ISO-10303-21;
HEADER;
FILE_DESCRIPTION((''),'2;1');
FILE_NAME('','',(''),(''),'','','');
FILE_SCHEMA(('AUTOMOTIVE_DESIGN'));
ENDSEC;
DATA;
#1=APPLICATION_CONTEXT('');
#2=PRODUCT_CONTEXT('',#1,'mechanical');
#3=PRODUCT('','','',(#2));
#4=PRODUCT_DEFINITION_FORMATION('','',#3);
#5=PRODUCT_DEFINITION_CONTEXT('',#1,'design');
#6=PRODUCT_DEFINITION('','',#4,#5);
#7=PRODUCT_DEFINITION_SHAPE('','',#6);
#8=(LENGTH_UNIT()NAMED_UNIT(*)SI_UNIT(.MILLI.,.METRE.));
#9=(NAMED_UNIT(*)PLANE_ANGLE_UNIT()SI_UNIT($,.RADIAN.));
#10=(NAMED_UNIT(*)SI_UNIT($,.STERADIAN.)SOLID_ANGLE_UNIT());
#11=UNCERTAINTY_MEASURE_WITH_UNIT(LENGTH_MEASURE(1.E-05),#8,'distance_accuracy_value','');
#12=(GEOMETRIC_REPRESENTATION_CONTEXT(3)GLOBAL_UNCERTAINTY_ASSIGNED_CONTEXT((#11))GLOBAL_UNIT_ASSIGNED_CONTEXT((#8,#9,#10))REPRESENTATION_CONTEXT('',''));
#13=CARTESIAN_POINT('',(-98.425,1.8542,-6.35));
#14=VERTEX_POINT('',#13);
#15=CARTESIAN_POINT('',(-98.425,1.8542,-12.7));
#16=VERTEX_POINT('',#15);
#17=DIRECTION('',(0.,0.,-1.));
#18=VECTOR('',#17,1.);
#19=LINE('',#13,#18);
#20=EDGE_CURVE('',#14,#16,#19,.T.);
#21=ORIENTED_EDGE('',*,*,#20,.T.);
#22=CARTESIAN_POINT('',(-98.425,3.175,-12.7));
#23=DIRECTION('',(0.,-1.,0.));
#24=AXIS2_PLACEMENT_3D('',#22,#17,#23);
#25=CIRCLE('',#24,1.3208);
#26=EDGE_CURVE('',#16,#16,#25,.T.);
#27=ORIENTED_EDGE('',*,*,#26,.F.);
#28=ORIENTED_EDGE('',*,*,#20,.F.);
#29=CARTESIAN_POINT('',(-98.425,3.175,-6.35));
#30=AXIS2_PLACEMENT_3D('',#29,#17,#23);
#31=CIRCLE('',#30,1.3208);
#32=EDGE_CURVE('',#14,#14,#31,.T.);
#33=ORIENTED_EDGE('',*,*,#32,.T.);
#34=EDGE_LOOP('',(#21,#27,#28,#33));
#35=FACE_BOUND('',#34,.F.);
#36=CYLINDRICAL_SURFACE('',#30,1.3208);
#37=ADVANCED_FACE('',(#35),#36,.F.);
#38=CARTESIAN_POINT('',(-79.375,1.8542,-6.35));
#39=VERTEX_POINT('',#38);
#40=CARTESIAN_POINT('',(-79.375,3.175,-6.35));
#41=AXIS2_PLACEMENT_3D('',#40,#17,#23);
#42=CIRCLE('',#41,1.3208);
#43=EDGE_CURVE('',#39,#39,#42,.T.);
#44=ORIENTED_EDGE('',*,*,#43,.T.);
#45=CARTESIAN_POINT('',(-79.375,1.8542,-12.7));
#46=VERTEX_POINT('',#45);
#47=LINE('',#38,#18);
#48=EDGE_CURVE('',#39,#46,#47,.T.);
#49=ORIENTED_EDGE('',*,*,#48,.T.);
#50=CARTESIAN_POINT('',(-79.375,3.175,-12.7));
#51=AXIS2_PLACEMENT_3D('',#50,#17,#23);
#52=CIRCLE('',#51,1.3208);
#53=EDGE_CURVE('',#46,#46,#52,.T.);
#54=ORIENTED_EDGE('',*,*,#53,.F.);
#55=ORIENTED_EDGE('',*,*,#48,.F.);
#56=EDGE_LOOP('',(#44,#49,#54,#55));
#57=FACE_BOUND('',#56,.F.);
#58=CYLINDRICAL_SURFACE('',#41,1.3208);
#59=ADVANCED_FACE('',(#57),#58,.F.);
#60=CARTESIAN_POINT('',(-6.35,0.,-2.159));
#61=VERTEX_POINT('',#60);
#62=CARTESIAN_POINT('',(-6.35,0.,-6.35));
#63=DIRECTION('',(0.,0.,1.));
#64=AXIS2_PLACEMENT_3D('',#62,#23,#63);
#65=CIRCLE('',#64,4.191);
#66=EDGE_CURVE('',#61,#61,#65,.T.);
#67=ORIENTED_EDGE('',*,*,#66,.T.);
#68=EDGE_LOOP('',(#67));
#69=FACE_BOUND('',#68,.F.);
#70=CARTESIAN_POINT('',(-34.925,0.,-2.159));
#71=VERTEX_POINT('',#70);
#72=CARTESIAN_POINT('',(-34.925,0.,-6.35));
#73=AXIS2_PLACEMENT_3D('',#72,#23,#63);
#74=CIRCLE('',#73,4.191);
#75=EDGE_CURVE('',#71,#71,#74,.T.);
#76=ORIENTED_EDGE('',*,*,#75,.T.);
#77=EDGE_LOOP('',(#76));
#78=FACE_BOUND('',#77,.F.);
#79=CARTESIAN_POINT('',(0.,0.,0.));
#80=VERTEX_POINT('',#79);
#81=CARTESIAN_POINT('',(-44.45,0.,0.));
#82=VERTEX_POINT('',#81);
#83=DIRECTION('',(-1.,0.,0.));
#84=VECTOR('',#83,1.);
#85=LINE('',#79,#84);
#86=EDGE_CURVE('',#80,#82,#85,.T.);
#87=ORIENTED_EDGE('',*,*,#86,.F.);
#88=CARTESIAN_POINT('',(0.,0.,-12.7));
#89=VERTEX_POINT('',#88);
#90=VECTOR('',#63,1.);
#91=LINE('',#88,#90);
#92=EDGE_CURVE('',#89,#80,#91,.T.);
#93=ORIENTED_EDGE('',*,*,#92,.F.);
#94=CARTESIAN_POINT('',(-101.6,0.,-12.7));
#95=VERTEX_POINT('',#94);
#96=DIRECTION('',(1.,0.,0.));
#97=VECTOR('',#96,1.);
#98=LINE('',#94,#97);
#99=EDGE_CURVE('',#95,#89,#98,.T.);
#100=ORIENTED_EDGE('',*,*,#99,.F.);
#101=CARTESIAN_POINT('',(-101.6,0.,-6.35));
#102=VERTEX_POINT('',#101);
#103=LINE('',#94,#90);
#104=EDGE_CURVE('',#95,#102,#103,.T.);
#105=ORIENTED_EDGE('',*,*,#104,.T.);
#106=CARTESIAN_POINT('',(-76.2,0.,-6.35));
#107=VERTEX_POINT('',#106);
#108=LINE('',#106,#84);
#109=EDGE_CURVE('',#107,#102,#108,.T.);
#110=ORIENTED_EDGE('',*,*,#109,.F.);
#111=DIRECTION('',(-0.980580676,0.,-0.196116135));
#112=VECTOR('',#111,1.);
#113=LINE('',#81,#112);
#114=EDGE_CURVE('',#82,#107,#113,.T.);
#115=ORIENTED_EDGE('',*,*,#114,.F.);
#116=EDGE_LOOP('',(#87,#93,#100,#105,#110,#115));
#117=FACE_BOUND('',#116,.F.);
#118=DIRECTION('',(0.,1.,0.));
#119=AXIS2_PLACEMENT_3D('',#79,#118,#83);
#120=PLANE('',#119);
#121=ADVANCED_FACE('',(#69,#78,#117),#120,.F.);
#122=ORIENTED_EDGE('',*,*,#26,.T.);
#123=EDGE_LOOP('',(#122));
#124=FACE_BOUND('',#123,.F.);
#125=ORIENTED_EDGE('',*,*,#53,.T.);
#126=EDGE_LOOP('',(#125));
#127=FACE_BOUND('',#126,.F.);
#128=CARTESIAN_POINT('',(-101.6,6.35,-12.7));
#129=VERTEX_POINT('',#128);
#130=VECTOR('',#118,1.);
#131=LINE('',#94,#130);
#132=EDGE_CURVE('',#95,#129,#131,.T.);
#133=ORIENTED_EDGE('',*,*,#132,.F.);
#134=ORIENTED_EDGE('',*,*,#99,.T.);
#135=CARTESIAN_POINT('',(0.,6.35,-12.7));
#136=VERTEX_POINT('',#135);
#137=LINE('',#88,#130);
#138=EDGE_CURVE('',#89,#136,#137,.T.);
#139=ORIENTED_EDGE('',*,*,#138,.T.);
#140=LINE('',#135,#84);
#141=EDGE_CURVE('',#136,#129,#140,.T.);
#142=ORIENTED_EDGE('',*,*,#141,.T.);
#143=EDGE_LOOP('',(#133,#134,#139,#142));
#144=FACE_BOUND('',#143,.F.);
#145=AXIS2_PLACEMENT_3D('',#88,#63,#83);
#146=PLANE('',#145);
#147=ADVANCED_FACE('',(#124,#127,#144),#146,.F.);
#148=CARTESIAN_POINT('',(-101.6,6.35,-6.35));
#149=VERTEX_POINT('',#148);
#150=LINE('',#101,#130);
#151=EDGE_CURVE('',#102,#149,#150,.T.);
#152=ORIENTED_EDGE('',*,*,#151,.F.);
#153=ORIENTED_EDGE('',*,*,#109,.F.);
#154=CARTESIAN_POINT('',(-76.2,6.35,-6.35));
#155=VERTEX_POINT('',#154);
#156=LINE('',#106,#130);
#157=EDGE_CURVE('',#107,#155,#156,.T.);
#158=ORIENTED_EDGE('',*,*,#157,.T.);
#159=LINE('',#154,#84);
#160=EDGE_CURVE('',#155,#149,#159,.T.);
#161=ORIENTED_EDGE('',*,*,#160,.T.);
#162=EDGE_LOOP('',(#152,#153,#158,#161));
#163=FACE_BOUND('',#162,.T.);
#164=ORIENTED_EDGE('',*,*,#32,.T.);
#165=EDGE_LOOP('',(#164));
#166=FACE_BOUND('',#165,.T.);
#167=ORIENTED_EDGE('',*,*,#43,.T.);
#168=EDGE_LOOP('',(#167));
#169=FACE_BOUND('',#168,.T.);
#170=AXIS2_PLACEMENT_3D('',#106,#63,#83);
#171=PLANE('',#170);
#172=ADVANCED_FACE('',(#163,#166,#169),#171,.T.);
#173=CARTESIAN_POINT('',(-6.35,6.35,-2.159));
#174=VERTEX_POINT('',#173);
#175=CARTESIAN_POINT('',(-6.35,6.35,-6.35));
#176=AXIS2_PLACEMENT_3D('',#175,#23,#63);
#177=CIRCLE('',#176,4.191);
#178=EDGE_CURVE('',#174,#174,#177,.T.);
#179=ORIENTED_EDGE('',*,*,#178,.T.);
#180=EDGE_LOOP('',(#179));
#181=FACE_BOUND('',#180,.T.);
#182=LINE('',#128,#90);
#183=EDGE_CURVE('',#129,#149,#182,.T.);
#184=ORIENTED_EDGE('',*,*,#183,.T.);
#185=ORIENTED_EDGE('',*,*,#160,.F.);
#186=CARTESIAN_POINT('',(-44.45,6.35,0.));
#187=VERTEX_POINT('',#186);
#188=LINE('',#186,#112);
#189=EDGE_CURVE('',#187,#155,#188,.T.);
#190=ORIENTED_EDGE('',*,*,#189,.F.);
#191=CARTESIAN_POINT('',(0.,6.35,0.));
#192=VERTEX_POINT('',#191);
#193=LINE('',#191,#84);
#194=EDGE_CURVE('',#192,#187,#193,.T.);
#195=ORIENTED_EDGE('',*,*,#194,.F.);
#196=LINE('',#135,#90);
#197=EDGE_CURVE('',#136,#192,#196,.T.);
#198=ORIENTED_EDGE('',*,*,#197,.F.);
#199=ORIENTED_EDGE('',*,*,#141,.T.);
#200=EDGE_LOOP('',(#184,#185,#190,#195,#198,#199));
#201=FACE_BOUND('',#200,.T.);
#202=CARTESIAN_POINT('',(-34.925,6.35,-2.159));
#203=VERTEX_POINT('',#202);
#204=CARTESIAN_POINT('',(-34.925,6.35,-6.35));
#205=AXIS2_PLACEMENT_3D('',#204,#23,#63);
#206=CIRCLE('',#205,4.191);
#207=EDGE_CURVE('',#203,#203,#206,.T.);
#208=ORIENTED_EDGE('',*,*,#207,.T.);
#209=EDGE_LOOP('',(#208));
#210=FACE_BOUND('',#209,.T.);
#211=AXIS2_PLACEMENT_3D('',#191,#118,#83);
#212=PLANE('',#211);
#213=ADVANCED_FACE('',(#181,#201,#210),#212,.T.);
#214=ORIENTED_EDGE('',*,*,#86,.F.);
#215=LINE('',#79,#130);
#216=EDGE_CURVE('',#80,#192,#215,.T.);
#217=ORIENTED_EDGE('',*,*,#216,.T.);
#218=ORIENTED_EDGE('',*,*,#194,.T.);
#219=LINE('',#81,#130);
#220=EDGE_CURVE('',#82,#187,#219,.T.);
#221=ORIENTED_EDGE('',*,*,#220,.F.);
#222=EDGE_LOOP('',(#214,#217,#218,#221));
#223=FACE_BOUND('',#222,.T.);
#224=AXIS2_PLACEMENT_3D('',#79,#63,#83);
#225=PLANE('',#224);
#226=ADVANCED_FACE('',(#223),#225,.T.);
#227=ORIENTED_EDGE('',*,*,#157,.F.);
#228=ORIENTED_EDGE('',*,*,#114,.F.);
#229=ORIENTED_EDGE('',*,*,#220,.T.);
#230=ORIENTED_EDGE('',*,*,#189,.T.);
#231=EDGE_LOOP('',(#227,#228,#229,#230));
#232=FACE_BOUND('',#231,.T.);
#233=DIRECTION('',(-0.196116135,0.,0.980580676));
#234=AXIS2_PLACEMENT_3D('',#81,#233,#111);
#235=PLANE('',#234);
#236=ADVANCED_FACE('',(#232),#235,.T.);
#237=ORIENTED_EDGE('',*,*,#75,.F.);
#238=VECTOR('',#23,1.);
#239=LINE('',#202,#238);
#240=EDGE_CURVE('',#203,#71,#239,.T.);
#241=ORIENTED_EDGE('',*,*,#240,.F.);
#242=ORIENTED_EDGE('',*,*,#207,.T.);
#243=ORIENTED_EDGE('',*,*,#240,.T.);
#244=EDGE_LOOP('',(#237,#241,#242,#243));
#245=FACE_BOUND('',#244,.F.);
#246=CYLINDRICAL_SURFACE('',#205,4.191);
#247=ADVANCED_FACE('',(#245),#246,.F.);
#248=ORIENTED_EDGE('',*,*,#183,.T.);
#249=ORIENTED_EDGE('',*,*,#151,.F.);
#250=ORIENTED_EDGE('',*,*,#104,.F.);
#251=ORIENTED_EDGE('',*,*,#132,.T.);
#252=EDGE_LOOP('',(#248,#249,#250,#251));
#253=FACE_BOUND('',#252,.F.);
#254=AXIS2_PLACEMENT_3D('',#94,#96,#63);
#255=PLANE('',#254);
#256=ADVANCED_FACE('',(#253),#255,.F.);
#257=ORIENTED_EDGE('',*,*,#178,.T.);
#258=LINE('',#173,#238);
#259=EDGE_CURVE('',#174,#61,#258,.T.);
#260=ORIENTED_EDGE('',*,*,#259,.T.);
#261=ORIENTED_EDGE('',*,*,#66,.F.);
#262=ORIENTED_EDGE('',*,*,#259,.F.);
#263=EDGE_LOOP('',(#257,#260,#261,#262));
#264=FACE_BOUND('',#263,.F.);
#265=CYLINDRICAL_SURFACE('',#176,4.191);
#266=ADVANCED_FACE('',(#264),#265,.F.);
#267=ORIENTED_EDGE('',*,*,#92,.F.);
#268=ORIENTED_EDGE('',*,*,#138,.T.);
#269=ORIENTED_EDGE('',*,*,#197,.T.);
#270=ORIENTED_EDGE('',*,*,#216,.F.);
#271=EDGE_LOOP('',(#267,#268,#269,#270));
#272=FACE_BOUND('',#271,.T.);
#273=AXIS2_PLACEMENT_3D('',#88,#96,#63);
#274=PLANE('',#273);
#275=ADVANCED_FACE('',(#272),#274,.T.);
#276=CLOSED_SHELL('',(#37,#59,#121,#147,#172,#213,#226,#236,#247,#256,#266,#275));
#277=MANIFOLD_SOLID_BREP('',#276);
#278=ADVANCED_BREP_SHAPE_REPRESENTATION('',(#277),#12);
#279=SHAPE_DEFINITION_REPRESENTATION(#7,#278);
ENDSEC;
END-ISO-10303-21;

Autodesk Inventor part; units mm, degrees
ref_plane "YZ Plane" through (0, 0, 0) normal (1, 0, 0) x (0, 1, 0)
ref_plane "XZ Plane" through (0, 0, 0) normal (0, 1, 0) x (-1, 0, 0)
ref_plane "XY Plane" through (0, 0, 0) normal (0, 0, 1) x (1, 0, 0)
sketch "Sketch1" plane through (0, 0, 0) normal (0, 1, 0) x (-1, 0, 0)
  line L0 (0, 0) -> (101.6, 0)
  line L1 (0, -12.7) -> (44.45, -12.7)
  line L2 (44.45, -12.7) -> (76.2, -12.7)
  line L3 (44.45, 0) -> (76.2, -6.35)
  line L4 (76.2, -6.35) -> (101.6, -6.35)
  line L5 (76.2, -12.7) -> (101.6, -12.7)
  line L6 (0, -12.7) -> (0, 0)
  line L7 (101.6, -12.7) -> (101.6, -6.35)
  point P0 (101.6, -6.35)
  dimension "d5" = 44.45
  dimension "d6" = 12.7
  dimension "d7" = 44.45
  dimension "d16" = 6.35
  dimension "d55" = 6.35
  dimension "d58" = 31.75
  dimension "d59" = 101.6
extrude "Extrusion2" add sketch "Sketch1" along normal blind 6.35
sketch "Sketch5" plane through (0, 6.35, 0) normal (0, 1, 0) x (1, 0, 0)
  line L0 (-44.45, 0) -> (0, 0) projected
  line L1 (0, 0) -> (0, 12.7) projected
  line L2 (0, 12.7) -> (-101.6, 12.7) projected
  line L3 (-101.6, 12.7) -> (-101.6, 6.35) projected
  line L4 (-101.6, 6.35) -> (-76.2, 6.35) projected
  line L5 (-76.2, 6.35) -> (-44.45, 0) projected
  point P0 (-6.35, 6.35)
  point P1 (-34.925, 6.35)
  dimension "d60" = 6.35
  dimension "d61" = 6.35
  dimension "d62" = 6.35
  dimension "d63" = 28.575
  dimension "d64" = 12.7
hole "Hole4" at (-6.35, 6.35, -6.35) at (-34.925, 6.35, -6.35) direction (0, -1, 0) diameter 8.382 depth 25.4 tip angle 118
sketch "Sketch6" plane through (-101.6, 0, -6.35) normal (0, 0, 1) x (1, 0, 0)
  line L0 (25.4, 0) -> (0, 0) projected
  line L1 (25.4, 0) -> (25.4, 6.35) projected
  line L2 (0, 6.35) -> (25.4, 6.35) projected
  line L3 (0, 0) -> (0, 6.35) projected
  point P0 (101.6, 0)
  point P1 (3.175, 3.175)
  point P2 (22.225, 3.175)
  dimension "d72" = 6.35
  dimension "d73" = 3.175
  dimension "d74" = 3.175
  dimension "d75" = 19.05
  dimension "d76" = 3.175
hole "Hole5" at (-98.425, 3.175, -6.35) at (-79.375, 3.175, -6.35) direction (0, 0, -1) diameter 2.6416 depth 10.9728 tip angle 118 thread size "6-32 UNC" class "2B" standard "ANSI Unified Screw Threads"
equation "\"d5\" = d10"
equation "\"d7\" = d5"
equation "\"d60\" = 0.5 * d64"
equation "\"d61\" = d60"
equation "\"d62\" = d60"
equation "\"d73\" = 0.5 * d72"
equation "\"d74\" = d73"
equation "\"d76\" = d73"
equation "\"d10\" = 44.45"
properties part number "WheelSuspensionFork" material "Aluminum 6061"
